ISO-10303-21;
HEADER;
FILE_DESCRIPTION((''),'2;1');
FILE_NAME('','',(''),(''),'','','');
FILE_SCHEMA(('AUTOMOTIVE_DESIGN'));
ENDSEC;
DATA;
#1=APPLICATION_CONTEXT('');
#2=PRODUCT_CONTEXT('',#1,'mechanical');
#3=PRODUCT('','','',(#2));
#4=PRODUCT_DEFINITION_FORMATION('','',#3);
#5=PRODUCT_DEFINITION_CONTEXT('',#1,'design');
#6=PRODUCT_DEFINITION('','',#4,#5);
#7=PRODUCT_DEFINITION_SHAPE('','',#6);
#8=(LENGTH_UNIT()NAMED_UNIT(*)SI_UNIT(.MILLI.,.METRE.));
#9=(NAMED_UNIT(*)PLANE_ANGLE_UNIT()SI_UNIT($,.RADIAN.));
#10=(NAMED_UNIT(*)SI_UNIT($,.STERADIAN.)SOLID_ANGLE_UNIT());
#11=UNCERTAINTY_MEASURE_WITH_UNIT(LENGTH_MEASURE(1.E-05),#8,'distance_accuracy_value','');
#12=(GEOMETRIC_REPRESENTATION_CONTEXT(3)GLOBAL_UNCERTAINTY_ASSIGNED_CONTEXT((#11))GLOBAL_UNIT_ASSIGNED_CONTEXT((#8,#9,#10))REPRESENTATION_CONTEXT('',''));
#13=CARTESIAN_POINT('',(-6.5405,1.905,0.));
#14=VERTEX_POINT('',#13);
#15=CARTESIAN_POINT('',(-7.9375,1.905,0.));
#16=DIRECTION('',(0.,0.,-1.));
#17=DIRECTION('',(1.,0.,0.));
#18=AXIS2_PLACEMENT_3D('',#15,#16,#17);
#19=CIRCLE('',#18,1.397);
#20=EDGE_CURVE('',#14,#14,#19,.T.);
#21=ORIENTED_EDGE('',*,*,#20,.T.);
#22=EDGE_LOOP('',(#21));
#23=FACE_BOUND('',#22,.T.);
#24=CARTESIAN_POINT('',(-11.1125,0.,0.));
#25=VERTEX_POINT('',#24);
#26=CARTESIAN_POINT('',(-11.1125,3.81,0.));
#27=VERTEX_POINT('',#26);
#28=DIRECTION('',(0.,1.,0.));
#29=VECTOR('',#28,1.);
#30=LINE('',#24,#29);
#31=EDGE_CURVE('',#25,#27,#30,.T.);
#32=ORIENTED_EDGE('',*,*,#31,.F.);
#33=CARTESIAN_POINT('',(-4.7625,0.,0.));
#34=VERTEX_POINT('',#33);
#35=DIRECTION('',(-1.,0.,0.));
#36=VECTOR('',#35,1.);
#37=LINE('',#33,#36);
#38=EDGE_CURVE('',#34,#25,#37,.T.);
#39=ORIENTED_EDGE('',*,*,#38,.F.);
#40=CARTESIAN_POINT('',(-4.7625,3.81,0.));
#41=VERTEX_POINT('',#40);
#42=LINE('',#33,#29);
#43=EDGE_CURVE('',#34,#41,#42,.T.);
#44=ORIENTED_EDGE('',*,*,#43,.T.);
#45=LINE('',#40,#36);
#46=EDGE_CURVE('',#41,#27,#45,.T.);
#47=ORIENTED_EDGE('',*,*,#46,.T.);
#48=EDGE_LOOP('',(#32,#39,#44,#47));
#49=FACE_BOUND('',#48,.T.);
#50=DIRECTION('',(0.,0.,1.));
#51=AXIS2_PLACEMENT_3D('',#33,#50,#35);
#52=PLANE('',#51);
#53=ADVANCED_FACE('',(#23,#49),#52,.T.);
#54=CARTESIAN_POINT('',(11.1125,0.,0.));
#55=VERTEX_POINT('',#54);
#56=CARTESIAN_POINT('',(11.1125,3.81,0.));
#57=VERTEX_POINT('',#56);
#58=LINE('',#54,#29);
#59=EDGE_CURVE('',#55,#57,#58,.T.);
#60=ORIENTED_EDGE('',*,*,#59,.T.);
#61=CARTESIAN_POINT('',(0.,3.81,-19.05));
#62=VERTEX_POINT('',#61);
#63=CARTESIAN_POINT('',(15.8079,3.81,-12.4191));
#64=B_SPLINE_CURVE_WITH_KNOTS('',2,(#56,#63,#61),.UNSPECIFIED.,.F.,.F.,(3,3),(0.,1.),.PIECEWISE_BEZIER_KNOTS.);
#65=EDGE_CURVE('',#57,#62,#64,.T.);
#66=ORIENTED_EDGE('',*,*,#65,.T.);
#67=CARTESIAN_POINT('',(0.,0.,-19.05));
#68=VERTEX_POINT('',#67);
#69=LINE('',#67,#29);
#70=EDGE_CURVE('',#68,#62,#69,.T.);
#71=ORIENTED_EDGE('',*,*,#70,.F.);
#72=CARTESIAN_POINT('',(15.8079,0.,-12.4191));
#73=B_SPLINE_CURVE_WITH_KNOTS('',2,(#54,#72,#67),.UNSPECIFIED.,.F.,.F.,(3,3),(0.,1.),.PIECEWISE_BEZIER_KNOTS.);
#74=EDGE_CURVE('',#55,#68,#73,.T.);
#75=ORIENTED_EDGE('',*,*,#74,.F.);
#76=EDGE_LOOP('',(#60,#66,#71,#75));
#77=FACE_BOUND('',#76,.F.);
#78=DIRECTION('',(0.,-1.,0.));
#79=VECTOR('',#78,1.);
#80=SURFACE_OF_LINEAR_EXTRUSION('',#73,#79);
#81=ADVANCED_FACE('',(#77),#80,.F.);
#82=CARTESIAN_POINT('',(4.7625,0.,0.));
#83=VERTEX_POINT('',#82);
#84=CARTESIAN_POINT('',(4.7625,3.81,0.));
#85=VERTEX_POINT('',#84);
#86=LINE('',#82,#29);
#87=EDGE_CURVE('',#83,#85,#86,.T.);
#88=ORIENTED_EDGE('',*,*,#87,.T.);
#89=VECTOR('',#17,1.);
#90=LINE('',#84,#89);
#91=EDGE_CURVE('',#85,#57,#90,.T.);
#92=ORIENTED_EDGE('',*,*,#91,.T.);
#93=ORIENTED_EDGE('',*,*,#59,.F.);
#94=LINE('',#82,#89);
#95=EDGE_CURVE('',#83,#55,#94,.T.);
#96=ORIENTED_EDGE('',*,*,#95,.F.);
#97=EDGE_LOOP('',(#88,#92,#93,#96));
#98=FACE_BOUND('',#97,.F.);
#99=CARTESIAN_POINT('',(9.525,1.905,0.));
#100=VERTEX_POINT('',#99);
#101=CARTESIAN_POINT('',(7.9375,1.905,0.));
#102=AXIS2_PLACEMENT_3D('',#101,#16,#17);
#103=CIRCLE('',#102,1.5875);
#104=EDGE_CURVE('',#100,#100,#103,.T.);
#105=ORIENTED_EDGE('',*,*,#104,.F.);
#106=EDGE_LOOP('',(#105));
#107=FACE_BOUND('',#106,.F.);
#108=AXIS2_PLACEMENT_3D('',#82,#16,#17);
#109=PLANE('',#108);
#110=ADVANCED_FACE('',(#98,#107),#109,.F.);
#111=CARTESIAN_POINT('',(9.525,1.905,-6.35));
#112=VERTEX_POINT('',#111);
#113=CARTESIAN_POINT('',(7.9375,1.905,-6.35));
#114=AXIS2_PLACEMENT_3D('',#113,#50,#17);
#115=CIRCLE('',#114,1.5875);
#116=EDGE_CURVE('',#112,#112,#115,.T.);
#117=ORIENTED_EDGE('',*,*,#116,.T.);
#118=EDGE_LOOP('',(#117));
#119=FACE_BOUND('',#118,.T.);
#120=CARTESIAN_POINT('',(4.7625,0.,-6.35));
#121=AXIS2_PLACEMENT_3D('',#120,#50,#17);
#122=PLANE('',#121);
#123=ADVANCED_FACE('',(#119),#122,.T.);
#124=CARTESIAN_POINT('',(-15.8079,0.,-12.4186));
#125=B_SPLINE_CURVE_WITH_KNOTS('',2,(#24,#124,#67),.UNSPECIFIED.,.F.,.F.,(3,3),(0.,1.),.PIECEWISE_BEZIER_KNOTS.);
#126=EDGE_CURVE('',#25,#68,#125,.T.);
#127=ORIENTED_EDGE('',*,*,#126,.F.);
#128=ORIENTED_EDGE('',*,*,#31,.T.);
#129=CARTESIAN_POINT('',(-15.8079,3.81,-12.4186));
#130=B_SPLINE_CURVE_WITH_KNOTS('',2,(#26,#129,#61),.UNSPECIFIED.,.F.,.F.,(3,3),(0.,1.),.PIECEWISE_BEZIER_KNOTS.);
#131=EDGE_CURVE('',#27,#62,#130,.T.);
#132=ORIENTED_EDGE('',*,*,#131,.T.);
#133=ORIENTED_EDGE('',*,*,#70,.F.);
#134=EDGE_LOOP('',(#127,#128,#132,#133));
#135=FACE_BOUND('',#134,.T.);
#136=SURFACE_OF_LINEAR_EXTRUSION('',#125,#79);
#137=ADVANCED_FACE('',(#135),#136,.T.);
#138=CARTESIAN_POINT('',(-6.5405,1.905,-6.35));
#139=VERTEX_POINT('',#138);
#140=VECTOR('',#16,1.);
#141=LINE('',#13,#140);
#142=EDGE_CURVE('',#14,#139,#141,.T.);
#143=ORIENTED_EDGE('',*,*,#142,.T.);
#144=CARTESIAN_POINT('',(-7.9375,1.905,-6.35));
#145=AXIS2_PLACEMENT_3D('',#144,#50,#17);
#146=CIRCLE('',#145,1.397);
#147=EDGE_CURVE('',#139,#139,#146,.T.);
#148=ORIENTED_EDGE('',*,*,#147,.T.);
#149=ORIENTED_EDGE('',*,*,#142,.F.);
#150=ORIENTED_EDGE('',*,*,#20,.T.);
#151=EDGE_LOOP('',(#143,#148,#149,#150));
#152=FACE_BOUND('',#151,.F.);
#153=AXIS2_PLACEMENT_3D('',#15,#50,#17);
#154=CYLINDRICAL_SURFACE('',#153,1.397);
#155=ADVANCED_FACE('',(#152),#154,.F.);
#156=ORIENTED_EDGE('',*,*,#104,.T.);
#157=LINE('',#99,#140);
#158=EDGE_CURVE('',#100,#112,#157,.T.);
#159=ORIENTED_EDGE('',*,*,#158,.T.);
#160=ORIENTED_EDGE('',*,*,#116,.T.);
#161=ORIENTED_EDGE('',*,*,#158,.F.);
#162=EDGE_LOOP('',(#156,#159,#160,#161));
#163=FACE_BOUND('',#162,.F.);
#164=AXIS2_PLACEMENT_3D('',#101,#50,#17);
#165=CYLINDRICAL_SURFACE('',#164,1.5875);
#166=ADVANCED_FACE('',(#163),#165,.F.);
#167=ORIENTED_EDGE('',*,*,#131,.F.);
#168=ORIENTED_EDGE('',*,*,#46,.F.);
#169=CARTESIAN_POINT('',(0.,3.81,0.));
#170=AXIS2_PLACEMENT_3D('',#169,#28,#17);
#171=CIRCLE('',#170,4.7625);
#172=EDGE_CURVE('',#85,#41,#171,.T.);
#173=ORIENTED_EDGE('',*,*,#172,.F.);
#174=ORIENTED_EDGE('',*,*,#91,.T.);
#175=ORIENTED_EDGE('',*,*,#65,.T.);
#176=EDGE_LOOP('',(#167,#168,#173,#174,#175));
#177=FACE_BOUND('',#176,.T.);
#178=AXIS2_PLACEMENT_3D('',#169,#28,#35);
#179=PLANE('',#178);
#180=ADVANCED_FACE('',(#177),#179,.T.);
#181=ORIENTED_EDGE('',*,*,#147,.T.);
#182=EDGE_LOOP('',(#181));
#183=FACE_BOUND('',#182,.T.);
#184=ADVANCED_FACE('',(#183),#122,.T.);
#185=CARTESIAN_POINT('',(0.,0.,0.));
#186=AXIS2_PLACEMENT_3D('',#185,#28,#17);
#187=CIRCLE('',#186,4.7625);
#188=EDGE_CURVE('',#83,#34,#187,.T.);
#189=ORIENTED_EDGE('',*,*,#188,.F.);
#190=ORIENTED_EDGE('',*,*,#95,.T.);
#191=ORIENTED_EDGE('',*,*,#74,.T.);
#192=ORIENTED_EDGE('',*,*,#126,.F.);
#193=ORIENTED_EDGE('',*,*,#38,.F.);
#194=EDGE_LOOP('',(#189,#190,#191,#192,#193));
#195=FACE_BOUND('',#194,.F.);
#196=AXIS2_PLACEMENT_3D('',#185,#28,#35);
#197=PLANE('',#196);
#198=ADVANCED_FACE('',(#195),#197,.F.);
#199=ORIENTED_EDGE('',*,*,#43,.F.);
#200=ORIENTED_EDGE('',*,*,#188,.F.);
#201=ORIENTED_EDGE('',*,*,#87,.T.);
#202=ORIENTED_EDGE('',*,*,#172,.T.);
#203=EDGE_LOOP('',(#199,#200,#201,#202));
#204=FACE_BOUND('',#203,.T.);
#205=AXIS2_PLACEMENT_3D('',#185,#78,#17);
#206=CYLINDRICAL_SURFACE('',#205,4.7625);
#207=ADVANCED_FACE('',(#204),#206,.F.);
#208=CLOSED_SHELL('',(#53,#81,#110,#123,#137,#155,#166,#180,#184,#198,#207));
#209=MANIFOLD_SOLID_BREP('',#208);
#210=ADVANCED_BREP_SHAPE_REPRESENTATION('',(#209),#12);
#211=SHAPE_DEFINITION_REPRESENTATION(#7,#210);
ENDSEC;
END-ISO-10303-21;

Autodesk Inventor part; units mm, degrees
ref_plane "YZ Plane" through (0, 0, 0) normal (1, 0, 0) x (0, 1, 0)
ref_plane "XZ Plane" through (0, 0, 0) normal (0, 1, 0) x (-1, 0, 0)
ref_plane "XY Plane" through (0, 0, 0) normal (0, 0, 1) x (1, 0, 0)
sketch "Sketch1" plane through (0, 0, 0) normal (0, 1, 0) x (-1, 0, 0)
  arc A0 (-4.7625, 0) -> (4.7625, 0) centre (0, 0) ccw
  line L0 (4.7625, 0) -> (11.1125, 0)
  line L1 (-4.7625, 0) -> (-11.1125, 0)
  spline S0 degree 2 poles (-11.1125, 0) (-15.8079, -12.4191) (0, -19.05) knots 0 0 0 1 1 1
  spline S1 degree 2 poles (11.1125, 0) (15.8079, -12.4186) (0, -19.05) knots 0 0 0 1 1 1
  point P0 (-4.7625, -10.1621)
  point P1 (4.7625, -10.1621)
  point P2 (-11.1125, -10.1621)
  point P3 (11.1125, -10.1616)
  dimension "d6" = 9.525
  dimension "d7" = 6.35
  dimension "d8" = 6.35
extrude "Extrusion1" add sketch "Sketch1" along normal blind 3.81
sketch "Sketch3" plane through (4.7625, 0, 0) normal (0, 0, 1) x (1, 0, 0)
  line L0 (0, 0) -> (0, 3.81) projected
  line L1 (0, 0) -> (3.175, 0)
  line L2 (0, 0) -> (6.35, 0) projected
  line L3 (3.175, 0) -> (3.175, 1.905)
  line L4 (-9.525, 0) -> (-9.525, 3.81) projected
  line L5 (-9.525, 0) -> (-12.7, 0)
  line L6 (-15.875, 0) -> (-9.525, 0) projected
  line L7 (-12.7, 1.905) -> (-12.7, 0)
  circle A0 centre (3.175, 1.905) radius 1.5875
  circle A1 centre (-12.7, 1.905) radius 1.397
  point P0 (-4.7625, 0)
  dimension "d12" = 3.175
  dimension "d13" = 2.794
extrude "Extrusion2" cut sketch "Sketch3" against normal blind 6.35
properties part number "Holder_Side"
